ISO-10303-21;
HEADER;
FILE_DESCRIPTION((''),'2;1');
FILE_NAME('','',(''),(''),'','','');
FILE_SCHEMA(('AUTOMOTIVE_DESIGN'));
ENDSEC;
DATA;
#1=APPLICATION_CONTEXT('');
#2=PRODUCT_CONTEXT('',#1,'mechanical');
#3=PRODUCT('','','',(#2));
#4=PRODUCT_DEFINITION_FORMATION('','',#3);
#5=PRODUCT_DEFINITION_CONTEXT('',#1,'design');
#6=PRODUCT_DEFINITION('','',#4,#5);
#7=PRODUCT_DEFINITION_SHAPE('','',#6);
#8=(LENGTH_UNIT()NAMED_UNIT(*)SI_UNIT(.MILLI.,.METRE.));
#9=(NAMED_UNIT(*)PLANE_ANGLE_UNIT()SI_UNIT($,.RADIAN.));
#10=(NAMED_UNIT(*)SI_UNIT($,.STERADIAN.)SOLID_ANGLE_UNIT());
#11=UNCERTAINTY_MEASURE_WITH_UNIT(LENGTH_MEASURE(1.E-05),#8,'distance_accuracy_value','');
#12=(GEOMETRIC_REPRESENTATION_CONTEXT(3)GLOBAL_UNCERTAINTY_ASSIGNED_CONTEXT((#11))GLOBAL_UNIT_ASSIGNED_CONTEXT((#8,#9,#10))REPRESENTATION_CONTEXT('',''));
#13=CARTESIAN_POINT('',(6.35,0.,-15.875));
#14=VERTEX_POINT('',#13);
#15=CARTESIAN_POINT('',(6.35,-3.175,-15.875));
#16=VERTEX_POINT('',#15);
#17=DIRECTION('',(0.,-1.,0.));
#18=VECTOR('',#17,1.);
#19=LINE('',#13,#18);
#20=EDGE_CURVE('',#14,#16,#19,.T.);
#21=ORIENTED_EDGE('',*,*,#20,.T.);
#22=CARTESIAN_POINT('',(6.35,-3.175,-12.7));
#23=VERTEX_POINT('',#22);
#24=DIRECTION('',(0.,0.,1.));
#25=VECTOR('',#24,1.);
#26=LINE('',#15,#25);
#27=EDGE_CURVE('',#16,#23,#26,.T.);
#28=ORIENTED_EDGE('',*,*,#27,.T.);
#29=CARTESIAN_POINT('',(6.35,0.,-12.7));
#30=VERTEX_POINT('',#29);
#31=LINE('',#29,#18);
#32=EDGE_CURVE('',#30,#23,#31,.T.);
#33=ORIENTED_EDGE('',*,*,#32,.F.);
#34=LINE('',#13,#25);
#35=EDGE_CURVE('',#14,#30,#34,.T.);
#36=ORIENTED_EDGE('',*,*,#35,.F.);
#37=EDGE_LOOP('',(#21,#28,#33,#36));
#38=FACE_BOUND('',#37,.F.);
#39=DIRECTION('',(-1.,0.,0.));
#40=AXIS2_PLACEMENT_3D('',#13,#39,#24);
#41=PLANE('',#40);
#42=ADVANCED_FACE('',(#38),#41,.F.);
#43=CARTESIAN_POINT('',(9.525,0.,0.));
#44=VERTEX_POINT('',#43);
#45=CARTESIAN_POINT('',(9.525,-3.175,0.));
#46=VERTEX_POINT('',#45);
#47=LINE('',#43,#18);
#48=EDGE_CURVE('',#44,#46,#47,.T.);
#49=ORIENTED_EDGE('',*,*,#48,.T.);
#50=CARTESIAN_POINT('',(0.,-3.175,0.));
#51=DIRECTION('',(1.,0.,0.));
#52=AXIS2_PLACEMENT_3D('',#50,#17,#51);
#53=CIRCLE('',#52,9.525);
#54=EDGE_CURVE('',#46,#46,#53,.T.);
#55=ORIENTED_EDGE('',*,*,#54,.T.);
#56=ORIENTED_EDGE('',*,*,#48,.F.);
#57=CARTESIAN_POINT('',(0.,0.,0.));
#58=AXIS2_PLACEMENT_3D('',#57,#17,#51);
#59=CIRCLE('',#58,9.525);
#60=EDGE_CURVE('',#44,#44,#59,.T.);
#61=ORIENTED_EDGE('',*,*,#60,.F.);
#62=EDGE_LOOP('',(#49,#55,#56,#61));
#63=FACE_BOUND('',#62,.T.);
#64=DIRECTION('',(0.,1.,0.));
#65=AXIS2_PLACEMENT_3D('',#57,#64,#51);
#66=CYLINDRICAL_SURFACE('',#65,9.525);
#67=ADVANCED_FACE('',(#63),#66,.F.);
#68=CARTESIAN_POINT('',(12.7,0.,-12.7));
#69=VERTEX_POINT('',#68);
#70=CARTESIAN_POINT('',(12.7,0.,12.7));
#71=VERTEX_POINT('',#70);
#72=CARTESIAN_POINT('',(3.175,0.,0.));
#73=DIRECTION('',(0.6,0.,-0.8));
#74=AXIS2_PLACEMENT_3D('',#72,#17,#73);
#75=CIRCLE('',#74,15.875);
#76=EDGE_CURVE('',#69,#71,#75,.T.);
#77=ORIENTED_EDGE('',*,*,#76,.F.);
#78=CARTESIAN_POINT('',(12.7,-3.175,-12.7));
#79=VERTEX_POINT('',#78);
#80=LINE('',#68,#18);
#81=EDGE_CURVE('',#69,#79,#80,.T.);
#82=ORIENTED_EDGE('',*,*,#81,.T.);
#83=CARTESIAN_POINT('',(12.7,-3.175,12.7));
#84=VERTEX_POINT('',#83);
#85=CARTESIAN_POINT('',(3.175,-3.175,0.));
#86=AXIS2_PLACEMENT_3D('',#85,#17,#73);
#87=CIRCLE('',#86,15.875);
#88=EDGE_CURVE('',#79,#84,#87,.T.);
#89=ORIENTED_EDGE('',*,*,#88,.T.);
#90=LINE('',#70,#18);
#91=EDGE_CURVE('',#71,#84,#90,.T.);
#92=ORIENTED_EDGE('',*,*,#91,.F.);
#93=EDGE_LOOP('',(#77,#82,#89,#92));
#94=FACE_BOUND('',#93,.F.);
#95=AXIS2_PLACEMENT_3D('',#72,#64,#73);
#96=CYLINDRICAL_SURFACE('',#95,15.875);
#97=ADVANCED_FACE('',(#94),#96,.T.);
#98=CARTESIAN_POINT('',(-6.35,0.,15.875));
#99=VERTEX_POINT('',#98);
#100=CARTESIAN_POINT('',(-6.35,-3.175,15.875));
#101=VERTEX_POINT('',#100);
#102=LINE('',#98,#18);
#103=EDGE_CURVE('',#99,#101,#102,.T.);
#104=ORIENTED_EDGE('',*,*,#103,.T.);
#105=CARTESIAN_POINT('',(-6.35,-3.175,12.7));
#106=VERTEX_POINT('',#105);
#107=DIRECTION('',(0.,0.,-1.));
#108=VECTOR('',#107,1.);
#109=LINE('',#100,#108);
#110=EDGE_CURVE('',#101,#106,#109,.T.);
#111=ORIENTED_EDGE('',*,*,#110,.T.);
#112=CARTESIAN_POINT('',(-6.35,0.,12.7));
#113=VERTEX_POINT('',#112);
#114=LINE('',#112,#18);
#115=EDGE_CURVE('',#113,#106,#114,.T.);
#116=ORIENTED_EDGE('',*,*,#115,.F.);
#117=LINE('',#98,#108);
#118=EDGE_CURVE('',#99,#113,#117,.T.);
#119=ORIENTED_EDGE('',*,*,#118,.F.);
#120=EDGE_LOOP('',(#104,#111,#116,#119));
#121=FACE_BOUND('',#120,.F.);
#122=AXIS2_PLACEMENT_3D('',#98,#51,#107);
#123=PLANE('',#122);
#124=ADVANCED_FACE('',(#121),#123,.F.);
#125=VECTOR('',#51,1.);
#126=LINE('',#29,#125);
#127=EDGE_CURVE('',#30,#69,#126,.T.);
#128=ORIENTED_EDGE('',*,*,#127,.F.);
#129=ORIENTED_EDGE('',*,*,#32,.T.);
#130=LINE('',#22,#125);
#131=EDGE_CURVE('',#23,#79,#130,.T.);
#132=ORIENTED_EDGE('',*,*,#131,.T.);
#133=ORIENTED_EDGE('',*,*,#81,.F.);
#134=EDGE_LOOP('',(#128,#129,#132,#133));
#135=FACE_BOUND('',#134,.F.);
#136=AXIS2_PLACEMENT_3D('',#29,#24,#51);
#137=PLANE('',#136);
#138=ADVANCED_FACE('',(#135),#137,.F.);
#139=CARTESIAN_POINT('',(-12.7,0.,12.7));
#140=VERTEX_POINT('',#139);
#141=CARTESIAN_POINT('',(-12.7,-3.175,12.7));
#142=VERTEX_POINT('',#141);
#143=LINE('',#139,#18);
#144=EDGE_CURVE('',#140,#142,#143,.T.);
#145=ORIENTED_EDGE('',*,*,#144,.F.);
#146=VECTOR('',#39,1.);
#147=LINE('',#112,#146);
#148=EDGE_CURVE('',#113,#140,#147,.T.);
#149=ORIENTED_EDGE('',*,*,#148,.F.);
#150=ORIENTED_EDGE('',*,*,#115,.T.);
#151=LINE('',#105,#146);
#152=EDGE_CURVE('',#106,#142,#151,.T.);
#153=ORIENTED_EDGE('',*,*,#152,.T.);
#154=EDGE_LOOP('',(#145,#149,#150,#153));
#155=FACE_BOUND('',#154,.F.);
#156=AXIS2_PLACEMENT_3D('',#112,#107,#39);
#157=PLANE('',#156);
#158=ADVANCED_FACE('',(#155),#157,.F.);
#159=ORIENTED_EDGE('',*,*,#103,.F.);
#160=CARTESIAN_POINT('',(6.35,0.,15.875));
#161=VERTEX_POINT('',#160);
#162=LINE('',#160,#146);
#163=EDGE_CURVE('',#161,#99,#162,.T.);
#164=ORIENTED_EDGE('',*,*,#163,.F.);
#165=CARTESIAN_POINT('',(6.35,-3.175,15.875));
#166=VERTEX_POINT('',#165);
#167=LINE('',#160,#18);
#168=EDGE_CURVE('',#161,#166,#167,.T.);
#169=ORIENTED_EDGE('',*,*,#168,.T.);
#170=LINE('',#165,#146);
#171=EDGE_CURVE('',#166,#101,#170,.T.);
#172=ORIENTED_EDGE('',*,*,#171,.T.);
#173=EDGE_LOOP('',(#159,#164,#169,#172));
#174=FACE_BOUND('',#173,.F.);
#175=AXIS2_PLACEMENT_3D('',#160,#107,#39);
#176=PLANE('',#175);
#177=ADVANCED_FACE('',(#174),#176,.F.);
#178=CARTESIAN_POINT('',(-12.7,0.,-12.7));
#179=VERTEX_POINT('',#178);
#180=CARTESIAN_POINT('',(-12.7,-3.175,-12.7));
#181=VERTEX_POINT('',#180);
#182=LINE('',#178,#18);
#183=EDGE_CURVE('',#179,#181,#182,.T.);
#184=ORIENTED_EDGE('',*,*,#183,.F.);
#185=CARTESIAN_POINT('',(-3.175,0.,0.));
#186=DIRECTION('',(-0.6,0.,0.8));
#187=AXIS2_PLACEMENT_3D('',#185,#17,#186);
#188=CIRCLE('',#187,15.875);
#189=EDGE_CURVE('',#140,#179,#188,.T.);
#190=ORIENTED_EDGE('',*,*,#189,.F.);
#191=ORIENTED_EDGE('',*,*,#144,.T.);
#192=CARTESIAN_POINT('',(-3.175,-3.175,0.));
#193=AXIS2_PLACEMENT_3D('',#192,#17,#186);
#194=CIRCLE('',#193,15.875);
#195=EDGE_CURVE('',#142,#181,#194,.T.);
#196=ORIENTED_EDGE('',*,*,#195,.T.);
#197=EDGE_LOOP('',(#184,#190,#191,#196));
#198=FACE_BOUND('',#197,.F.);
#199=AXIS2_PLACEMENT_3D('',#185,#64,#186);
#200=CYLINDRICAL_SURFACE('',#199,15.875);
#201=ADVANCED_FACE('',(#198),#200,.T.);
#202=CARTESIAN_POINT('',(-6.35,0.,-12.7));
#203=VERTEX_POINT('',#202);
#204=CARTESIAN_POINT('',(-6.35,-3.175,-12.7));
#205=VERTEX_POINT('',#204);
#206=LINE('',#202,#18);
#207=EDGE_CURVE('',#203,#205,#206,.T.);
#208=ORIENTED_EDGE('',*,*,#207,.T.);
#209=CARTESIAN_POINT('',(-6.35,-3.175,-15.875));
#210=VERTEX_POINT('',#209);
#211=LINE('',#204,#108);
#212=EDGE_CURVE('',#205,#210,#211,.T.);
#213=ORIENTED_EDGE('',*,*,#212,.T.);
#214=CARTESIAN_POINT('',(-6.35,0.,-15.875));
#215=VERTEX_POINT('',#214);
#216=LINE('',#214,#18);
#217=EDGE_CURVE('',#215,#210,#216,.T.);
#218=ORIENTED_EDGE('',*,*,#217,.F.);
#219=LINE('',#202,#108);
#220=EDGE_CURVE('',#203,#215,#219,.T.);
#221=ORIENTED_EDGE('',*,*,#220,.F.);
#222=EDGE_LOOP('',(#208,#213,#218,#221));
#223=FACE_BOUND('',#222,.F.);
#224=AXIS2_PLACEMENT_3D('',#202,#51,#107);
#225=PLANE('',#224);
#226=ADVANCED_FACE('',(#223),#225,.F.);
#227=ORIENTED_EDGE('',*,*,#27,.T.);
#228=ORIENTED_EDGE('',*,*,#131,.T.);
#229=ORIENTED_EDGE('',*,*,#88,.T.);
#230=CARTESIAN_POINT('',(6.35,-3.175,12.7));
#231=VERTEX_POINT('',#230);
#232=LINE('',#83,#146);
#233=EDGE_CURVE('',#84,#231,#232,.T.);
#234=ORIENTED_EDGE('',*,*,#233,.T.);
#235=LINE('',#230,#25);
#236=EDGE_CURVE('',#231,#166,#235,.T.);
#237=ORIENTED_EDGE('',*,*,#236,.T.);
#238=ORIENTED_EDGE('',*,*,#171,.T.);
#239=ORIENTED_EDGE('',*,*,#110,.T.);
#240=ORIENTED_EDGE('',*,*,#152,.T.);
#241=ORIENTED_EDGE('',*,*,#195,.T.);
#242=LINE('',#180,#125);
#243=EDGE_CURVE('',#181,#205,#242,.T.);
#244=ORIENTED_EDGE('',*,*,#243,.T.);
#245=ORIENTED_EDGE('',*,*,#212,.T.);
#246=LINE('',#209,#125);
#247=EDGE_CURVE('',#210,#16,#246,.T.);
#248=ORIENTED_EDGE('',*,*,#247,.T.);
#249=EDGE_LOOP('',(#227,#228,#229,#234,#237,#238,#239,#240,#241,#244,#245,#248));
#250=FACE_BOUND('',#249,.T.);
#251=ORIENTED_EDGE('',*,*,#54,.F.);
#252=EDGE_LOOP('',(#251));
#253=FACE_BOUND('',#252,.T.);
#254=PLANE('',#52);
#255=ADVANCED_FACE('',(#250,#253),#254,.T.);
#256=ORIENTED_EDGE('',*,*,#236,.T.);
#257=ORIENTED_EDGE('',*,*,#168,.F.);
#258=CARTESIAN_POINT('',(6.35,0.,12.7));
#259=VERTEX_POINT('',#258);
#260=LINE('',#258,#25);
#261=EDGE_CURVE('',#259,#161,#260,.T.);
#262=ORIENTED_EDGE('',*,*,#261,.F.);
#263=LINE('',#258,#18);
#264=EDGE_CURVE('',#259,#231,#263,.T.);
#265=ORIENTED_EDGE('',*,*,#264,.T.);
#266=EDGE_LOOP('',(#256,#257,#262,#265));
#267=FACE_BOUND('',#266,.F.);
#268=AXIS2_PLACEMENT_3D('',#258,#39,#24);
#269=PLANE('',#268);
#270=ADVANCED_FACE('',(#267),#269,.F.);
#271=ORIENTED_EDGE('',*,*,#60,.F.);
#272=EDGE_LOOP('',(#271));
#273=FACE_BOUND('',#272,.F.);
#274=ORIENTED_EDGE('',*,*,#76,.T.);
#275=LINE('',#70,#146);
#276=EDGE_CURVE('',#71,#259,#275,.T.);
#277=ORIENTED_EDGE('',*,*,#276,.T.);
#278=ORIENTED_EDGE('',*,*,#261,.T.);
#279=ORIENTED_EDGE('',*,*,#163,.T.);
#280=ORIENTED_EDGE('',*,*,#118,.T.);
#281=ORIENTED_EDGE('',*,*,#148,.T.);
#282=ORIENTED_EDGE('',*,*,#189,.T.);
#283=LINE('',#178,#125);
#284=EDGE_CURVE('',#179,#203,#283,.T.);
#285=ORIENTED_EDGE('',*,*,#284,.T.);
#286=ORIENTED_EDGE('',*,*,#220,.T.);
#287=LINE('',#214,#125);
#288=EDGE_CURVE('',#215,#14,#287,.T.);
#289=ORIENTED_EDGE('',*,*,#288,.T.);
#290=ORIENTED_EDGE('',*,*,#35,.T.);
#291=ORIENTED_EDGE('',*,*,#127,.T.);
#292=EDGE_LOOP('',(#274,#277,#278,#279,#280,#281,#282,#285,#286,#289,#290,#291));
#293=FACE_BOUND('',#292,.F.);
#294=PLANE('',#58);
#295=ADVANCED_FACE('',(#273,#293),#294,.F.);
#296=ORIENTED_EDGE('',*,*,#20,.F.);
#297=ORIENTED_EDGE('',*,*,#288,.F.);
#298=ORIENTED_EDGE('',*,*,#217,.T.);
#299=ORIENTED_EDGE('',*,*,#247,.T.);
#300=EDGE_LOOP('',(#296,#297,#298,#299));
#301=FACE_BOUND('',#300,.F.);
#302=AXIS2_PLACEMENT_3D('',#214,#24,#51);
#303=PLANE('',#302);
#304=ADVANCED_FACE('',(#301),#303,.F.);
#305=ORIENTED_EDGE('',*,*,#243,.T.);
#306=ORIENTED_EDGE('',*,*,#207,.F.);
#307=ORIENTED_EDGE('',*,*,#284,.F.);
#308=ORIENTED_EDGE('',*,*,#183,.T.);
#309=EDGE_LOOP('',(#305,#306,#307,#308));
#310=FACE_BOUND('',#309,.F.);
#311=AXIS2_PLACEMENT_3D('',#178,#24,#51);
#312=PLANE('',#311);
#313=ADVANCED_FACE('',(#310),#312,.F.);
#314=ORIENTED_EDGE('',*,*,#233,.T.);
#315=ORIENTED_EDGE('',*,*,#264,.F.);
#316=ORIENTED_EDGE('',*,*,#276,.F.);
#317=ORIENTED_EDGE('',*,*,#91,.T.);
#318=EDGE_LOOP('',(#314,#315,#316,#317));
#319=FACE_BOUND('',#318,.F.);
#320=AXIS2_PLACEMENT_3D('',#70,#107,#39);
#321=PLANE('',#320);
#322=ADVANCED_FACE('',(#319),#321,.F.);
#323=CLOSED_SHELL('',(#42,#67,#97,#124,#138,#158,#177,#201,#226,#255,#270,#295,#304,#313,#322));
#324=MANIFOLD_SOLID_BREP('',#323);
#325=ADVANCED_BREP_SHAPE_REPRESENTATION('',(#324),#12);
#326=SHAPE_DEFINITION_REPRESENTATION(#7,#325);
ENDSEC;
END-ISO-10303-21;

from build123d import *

# Parameters (mm, degrees)
F0_R     = 9.525
F1_DEPTH = 3.175


with BuildPart() as f1:
    # F0 (on Front) → F1 (new body)
    with BuildSketch(Plane.XZ):
        with BuildLine():
            Line((-6.35, 12.7), (-12.7, 12.7))
            ThreePointArc((-12.7, 12.7), (-19.05, 0), (-12.7, -12.7))
            Line((-12.7, -12.7), (-6.35, -12.7))
            Line((-6.35, -12.7), (-6.35, -15.875))
            Line((-6.35, -15.875), (6.35, -15.875))
            Line((6.35, -15.875), (6.35, -12.7))
            Line((6.35, -12.7), (12.7, -12.7))
            ThreePointArc((12.7, -12.7), (19.05, 0), (12.7, 12.7))
            Line((12.7, 12.7), (6.35, 12.7))
            Line((6.35, 12.7), (6.35, 15.875))
            Line((6.35, 15.875), (-6.35, 15.875))
            Line((-6.35, 15.875), (-6.35, 12.7))
        make_face()
        Circle(F0_R, mode=Mode.SUBTRACT)
    extrude(amount=F1_DEPTH)


solid = f1.part
